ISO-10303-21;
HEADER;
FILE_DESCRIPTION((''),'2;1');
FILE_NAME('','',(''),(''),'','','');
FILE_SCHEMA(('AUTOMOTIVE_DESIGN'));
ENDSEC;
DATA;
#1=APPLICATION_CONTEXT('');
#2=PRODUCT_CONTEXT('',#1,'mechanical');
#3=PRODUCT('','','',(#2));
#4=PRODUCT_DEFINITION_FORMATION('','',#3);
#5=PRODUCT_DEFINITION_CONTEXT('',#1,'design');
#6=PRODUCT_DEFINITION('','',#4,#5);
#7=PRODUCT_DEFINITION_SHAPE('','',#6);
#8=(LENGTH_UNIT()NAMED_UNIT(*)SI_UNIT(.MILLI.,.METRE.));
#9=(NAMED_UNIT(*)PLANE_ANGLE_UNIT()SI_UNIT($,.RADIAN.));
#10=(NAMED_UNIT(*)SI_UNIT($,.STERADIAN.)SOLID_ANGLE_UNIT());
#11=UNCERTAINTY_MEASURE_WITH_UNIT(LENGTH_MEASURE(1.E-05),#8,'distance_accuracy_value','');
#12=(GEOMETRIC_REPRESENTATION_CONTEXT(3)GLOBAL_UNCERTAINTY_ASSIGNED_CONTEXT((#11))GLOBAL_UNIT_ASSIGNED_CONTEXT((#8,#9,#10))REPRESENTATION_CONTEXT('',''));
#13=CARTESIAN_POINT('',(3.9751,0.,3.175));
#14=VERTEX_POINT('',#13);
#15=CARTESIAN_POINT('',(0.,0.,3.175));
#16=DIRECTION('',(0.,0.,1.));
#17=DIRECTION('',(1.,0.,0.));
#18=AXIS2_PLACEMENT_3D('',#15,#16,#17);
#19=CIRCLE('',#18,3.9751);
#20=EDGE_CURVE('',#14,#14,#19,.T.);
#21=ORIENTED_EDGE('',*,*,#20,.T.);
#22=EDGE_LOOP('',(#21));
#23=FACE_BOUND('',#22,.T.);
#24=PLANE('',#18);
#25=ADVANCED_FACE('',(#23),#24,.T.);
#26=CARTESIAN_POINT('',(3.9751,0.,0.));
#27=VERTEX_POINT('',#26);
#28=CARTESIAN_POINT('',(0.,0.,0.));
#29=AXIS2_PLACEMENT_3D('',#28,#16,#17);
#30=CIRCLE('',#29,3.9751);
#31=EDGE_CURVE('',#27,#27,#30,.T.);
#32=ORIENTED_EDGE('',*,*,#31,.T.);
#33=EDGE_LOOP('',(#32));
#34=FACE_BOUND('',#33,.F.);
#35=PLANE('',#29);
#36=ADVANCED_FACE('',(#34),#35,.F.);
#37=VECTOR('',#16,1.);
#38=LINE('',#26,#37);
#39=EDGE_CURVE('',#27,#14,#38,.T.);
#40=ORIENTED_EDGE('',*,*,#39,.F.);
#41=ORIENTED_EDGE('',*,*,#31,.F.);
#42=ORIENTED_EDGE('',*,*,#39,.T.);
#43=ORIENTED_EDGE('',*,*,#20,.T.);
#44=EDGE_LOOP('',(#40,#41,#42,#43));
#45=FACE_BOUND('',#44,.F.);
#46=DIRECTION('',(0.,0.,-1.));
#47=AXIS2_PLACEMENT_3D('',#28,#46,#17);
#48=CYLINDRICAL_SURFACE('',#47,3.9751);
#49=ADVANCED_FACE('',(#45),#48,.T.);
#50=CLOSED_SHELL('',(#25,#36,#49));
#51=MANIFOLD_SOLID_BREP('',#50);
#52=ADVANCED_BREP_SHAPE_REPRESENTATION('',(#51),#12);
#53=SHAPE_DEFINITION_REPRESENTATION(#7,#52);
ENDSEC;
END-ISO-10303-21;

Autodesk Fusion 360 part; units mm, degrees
sketch "Sketch1" plane through (0, 0, 0) normal (0, 0, 1) x (1, 0, 0)
  circle A0 centre (0, 0) radius 3.9751
  dimension "d1" = 7.9502
extrude "Extrude1" add sketch "Sketch1" along normal blind 3.175
